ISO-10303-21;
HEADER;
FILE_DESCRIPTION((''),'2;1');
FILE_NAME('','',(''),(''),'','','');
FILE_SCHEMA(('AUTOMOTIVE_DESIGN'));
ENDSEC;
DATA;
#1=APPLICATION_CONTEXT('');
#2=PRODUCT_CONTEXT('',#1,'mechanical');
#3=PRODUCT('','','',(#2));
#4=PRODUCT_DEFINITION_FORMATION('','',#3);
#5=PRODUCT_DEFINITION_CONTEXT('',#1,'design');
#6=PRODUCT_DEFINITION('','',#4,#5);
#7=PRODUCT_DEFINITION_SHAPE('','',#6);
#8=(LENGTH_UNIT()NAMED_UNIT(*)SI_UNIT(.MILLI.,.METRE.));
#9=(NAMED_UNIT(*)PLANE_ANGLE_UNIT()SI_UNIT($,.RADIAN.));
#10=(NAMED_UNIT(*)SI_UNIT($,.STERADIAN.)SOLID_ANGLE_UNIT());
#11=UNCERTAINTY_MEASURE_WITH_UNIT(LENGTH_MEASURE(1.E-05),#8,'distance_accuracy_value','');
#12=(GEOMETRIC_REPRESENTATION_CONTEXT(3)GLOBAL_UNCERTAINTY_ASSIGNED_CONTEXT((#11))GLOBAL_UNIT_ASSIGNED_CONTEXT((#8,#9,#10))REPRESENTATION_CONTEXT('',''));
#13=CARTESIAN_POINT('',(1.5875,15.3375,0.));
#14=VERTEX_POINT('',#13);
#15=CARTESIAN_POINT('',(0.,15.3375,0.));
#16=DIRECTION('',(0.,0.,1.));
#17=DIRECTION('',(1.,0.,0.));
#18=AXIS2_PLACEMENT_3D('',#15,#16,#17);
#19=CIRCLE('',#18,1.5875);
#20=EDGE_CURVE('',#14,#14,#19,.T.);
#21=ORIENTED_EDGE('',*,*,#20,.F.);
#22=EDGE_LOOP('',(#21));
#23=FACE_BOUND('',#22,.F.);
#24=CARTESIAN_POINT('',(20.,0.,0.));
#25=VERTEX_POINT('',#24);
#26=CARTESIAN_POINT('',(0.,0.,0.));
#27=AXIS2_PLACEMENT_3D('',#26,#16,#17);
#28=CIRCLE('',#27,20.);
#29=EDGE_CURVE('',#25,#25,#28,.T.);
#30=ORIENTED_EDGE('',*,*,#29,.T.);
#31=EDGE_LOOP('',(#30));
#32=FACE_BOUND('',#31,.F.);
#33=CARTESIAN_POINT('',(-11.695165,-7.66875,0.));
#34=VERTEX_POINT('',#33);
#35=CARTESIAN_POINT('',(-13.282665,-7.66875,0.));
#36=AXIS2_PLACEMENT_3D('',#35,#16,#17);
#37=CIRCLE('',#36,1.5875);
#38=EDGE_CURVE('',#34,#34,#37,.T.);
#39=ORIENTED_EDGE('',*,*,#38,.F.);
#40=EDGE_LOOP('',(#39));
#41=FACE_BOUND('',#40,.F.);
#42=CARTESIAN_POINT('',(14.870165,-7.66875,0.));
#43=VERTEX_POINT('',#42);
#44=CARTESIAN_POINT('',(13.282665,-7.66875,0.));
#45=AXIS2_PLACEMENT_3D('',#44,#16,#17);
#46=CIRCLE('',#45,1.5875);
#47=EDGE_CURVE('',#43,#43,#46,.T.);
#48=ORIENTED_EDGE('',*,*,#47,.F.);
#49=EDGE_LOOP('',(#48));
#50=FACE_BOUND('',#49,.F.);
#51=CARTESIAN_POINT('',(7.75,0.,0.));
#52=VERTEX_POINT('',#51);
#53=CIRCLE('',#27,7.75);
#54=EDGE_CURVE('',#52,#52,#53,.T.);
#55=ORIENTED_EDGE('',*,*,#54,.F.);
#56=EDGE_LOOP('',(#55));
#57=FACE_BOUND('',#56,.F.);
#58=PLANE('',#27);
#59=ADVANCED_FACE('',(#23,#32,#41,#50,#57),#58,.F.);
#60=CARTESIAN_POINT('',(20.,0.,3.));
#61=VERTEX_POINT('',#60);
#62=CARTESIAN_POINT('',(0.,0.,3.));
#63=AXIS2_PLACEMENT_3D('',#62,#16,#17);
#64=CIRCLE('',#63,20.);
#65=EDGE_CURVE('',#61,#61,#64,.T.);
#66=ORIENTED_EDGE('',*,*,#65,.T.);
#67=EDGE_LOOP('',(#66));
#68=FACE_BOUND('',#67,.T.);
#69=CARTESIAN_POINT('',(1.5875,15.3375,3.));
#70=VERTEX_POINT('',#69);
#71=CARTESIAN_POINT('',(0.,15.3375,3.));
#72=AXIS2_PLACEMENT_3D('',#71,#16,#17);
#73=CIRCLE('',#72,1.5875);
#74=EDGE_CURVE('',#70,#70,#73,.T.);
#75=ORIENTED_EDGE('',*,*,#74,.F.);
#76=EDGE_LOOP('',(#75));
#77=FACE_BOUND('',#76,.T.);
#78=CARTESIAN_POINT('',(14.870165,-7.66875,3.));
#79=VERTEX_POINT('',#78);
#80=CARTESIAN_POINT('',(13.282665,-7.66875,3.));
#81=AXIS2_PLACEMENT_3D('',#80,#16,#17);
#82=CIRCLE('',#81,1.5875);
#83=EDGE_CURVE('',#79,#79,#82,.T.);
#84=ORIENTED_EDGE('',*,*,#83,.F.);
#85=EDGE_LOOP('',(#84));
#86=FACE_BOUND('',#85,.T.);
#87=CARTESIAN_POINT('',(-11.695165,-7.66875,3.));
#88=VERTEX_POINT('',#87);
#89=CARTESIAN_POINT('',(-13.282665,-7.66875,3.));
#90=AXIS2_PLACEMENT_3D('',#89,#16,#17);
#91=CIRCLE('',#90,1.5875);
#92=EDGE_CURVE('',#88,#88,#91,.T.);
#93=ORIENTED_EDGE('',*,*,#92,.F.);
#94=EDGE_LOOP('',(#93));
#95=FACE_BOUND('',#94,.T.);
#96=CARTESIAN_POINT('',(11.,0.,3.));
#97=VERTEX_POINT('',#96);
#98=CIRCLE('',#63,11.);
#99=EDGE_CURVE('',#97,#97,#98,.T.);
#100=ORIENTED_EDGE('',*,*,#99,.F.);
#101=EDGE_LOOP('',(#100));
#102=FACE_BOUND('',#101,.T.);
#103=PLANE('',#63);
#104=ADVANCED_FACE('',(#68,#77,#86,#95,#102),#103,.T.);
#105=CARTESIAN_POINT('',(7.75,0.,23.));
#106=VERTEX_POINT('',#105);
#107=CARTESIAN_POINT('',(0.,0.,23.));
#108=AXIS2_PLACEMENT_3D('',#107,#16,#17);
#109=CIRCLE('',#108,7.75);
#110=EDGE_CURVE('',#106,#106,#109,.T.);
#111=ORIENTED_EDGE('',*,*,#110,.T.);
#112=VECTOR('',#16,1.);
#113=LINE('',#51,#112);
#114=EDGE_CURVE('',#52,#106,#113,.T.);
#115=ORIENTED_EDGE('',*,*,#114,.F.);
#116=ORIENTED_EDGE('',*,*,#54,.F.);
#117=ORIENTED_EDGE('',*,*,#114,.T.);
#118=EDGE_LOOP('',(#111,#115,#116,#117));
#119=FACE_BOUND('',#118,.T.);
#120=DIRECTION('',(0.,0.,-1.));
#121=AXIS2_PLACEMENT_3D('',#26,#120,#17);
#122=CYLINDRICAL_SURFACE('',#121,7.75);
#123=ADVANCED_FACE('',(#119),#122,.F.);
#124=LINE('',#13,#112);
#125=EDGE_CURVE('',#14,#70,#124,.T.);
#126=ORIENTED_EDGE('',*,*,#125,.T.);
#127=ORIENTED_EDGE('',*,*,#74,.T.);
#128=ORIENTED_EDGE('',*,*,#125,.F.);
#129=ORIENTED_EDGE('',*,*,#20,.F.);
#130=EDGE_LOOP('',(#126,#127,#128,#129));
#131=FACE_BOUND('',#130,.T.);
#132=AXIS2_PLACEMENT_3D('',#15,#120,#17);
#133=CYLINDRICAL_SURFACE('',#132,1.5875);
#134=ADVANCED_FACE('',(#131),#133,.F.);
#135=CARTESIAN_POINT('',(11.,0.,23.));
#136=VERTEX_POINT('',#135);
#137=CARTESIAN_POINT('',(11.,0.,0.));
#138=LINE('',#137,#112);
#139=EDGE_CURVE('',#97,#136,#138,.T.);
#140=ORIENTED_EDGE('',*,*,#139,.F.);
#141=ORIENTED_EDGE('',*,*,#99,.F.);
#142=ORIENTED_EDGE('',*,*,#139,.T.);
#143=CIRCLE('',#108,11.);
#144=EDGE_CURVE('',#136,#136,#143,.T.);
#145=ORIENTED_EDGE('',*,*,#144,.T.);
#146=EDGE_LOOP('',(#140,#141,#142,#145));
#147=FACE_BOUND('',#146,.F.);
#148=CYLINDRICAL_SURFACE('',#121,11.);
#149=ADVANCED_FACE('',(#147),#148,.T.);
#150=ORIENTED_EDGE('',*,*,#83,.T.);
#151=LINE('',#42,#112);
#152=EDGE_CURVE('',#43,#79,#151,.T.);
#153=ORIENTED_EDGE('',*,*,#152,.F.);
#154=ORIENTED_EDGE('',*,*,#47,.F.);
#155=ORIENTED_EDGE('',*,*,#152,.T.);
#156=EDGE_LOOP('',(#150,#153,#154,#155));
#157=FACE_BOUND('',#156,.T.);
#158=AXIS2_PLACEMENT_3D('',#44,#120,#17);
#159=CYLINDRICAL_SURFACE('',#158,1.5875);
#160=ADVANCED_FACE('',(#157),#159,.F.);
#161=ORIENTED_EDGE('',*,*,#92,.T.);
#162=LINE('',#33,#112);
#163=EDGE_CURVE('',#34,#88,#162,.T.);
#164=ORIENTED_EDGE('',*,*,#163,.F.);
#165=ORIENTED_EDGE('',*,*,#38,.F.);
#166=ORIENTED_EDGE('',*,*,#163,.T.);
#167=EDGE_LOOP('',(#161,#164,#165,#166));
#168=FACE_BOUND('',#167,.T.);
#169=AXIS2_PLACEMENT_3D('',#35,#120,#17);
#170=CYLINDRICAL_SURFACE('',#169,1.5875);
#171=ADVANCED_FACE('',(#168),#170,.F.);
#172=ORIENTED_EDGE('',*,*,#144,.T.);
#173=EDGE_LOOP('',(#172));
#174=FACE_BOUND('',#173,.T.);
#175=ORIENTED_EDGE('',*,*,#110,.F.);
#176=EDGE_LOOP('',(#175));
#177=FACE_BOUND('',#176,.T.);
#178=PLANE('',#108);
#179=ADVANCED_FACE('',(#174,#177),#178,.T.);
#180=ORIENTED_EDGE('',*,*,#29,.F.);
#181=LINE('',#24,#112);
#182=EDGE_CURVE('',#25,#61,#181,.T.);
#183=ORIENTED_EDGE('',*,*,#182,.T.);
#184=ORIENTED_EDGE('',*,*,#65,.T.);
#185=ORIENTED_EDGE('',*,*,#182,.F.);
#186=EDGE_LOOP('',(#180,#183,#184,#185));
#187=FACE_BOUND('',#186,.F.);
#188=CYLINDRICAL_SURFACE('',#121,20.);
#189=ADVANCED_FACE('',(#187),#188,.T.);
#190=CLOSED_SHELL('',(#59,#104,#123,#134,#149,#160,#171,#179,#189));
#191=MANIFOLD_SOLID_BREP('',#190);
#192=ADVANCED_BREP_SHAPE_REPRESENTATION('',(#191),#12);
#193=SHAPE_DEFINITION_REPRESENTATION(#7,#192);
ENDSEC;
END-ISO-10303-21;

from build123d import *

# Parameters (mm, degrees)
F0_R     = 11
F0_R_2   = 7.75
F1_DEPTH = 23
F0_R_3   = 20
F0_R_4   = 1.5875
F2_DEPTH = 3


with BuildPart() as f1:
    # F0 (on Top) → F1 (new body)
    with BuildSketch(Plane.XY):
        Circle(F0_R)
        Circle(F0_R_2, mode=Mode.SUBTRACT)
    extrude(amount=F1_DEPTH)

    # F0 (on Top) → F2 (join)
    with BuildSketch(Plane.XY):
        Circle(F0_R_3)
        with Locations((-13.282665, -7.66875)):
            Circle(F0_R_4, mode=Mode.SUBTRACT)
        with Locations((13.282665, -7.66875)):
            Circle(F0_R_4, mode=Mode.SUBTRACT)
        Circle(F0_R, mode=Mode.SUBTRACT)
        with Locations((0, 15.3375)):
            Circle(F0_R_4, mode=Mode.SUBTRACT)
    extrude(amount=F2_DEPTH)


solid = f1.part
